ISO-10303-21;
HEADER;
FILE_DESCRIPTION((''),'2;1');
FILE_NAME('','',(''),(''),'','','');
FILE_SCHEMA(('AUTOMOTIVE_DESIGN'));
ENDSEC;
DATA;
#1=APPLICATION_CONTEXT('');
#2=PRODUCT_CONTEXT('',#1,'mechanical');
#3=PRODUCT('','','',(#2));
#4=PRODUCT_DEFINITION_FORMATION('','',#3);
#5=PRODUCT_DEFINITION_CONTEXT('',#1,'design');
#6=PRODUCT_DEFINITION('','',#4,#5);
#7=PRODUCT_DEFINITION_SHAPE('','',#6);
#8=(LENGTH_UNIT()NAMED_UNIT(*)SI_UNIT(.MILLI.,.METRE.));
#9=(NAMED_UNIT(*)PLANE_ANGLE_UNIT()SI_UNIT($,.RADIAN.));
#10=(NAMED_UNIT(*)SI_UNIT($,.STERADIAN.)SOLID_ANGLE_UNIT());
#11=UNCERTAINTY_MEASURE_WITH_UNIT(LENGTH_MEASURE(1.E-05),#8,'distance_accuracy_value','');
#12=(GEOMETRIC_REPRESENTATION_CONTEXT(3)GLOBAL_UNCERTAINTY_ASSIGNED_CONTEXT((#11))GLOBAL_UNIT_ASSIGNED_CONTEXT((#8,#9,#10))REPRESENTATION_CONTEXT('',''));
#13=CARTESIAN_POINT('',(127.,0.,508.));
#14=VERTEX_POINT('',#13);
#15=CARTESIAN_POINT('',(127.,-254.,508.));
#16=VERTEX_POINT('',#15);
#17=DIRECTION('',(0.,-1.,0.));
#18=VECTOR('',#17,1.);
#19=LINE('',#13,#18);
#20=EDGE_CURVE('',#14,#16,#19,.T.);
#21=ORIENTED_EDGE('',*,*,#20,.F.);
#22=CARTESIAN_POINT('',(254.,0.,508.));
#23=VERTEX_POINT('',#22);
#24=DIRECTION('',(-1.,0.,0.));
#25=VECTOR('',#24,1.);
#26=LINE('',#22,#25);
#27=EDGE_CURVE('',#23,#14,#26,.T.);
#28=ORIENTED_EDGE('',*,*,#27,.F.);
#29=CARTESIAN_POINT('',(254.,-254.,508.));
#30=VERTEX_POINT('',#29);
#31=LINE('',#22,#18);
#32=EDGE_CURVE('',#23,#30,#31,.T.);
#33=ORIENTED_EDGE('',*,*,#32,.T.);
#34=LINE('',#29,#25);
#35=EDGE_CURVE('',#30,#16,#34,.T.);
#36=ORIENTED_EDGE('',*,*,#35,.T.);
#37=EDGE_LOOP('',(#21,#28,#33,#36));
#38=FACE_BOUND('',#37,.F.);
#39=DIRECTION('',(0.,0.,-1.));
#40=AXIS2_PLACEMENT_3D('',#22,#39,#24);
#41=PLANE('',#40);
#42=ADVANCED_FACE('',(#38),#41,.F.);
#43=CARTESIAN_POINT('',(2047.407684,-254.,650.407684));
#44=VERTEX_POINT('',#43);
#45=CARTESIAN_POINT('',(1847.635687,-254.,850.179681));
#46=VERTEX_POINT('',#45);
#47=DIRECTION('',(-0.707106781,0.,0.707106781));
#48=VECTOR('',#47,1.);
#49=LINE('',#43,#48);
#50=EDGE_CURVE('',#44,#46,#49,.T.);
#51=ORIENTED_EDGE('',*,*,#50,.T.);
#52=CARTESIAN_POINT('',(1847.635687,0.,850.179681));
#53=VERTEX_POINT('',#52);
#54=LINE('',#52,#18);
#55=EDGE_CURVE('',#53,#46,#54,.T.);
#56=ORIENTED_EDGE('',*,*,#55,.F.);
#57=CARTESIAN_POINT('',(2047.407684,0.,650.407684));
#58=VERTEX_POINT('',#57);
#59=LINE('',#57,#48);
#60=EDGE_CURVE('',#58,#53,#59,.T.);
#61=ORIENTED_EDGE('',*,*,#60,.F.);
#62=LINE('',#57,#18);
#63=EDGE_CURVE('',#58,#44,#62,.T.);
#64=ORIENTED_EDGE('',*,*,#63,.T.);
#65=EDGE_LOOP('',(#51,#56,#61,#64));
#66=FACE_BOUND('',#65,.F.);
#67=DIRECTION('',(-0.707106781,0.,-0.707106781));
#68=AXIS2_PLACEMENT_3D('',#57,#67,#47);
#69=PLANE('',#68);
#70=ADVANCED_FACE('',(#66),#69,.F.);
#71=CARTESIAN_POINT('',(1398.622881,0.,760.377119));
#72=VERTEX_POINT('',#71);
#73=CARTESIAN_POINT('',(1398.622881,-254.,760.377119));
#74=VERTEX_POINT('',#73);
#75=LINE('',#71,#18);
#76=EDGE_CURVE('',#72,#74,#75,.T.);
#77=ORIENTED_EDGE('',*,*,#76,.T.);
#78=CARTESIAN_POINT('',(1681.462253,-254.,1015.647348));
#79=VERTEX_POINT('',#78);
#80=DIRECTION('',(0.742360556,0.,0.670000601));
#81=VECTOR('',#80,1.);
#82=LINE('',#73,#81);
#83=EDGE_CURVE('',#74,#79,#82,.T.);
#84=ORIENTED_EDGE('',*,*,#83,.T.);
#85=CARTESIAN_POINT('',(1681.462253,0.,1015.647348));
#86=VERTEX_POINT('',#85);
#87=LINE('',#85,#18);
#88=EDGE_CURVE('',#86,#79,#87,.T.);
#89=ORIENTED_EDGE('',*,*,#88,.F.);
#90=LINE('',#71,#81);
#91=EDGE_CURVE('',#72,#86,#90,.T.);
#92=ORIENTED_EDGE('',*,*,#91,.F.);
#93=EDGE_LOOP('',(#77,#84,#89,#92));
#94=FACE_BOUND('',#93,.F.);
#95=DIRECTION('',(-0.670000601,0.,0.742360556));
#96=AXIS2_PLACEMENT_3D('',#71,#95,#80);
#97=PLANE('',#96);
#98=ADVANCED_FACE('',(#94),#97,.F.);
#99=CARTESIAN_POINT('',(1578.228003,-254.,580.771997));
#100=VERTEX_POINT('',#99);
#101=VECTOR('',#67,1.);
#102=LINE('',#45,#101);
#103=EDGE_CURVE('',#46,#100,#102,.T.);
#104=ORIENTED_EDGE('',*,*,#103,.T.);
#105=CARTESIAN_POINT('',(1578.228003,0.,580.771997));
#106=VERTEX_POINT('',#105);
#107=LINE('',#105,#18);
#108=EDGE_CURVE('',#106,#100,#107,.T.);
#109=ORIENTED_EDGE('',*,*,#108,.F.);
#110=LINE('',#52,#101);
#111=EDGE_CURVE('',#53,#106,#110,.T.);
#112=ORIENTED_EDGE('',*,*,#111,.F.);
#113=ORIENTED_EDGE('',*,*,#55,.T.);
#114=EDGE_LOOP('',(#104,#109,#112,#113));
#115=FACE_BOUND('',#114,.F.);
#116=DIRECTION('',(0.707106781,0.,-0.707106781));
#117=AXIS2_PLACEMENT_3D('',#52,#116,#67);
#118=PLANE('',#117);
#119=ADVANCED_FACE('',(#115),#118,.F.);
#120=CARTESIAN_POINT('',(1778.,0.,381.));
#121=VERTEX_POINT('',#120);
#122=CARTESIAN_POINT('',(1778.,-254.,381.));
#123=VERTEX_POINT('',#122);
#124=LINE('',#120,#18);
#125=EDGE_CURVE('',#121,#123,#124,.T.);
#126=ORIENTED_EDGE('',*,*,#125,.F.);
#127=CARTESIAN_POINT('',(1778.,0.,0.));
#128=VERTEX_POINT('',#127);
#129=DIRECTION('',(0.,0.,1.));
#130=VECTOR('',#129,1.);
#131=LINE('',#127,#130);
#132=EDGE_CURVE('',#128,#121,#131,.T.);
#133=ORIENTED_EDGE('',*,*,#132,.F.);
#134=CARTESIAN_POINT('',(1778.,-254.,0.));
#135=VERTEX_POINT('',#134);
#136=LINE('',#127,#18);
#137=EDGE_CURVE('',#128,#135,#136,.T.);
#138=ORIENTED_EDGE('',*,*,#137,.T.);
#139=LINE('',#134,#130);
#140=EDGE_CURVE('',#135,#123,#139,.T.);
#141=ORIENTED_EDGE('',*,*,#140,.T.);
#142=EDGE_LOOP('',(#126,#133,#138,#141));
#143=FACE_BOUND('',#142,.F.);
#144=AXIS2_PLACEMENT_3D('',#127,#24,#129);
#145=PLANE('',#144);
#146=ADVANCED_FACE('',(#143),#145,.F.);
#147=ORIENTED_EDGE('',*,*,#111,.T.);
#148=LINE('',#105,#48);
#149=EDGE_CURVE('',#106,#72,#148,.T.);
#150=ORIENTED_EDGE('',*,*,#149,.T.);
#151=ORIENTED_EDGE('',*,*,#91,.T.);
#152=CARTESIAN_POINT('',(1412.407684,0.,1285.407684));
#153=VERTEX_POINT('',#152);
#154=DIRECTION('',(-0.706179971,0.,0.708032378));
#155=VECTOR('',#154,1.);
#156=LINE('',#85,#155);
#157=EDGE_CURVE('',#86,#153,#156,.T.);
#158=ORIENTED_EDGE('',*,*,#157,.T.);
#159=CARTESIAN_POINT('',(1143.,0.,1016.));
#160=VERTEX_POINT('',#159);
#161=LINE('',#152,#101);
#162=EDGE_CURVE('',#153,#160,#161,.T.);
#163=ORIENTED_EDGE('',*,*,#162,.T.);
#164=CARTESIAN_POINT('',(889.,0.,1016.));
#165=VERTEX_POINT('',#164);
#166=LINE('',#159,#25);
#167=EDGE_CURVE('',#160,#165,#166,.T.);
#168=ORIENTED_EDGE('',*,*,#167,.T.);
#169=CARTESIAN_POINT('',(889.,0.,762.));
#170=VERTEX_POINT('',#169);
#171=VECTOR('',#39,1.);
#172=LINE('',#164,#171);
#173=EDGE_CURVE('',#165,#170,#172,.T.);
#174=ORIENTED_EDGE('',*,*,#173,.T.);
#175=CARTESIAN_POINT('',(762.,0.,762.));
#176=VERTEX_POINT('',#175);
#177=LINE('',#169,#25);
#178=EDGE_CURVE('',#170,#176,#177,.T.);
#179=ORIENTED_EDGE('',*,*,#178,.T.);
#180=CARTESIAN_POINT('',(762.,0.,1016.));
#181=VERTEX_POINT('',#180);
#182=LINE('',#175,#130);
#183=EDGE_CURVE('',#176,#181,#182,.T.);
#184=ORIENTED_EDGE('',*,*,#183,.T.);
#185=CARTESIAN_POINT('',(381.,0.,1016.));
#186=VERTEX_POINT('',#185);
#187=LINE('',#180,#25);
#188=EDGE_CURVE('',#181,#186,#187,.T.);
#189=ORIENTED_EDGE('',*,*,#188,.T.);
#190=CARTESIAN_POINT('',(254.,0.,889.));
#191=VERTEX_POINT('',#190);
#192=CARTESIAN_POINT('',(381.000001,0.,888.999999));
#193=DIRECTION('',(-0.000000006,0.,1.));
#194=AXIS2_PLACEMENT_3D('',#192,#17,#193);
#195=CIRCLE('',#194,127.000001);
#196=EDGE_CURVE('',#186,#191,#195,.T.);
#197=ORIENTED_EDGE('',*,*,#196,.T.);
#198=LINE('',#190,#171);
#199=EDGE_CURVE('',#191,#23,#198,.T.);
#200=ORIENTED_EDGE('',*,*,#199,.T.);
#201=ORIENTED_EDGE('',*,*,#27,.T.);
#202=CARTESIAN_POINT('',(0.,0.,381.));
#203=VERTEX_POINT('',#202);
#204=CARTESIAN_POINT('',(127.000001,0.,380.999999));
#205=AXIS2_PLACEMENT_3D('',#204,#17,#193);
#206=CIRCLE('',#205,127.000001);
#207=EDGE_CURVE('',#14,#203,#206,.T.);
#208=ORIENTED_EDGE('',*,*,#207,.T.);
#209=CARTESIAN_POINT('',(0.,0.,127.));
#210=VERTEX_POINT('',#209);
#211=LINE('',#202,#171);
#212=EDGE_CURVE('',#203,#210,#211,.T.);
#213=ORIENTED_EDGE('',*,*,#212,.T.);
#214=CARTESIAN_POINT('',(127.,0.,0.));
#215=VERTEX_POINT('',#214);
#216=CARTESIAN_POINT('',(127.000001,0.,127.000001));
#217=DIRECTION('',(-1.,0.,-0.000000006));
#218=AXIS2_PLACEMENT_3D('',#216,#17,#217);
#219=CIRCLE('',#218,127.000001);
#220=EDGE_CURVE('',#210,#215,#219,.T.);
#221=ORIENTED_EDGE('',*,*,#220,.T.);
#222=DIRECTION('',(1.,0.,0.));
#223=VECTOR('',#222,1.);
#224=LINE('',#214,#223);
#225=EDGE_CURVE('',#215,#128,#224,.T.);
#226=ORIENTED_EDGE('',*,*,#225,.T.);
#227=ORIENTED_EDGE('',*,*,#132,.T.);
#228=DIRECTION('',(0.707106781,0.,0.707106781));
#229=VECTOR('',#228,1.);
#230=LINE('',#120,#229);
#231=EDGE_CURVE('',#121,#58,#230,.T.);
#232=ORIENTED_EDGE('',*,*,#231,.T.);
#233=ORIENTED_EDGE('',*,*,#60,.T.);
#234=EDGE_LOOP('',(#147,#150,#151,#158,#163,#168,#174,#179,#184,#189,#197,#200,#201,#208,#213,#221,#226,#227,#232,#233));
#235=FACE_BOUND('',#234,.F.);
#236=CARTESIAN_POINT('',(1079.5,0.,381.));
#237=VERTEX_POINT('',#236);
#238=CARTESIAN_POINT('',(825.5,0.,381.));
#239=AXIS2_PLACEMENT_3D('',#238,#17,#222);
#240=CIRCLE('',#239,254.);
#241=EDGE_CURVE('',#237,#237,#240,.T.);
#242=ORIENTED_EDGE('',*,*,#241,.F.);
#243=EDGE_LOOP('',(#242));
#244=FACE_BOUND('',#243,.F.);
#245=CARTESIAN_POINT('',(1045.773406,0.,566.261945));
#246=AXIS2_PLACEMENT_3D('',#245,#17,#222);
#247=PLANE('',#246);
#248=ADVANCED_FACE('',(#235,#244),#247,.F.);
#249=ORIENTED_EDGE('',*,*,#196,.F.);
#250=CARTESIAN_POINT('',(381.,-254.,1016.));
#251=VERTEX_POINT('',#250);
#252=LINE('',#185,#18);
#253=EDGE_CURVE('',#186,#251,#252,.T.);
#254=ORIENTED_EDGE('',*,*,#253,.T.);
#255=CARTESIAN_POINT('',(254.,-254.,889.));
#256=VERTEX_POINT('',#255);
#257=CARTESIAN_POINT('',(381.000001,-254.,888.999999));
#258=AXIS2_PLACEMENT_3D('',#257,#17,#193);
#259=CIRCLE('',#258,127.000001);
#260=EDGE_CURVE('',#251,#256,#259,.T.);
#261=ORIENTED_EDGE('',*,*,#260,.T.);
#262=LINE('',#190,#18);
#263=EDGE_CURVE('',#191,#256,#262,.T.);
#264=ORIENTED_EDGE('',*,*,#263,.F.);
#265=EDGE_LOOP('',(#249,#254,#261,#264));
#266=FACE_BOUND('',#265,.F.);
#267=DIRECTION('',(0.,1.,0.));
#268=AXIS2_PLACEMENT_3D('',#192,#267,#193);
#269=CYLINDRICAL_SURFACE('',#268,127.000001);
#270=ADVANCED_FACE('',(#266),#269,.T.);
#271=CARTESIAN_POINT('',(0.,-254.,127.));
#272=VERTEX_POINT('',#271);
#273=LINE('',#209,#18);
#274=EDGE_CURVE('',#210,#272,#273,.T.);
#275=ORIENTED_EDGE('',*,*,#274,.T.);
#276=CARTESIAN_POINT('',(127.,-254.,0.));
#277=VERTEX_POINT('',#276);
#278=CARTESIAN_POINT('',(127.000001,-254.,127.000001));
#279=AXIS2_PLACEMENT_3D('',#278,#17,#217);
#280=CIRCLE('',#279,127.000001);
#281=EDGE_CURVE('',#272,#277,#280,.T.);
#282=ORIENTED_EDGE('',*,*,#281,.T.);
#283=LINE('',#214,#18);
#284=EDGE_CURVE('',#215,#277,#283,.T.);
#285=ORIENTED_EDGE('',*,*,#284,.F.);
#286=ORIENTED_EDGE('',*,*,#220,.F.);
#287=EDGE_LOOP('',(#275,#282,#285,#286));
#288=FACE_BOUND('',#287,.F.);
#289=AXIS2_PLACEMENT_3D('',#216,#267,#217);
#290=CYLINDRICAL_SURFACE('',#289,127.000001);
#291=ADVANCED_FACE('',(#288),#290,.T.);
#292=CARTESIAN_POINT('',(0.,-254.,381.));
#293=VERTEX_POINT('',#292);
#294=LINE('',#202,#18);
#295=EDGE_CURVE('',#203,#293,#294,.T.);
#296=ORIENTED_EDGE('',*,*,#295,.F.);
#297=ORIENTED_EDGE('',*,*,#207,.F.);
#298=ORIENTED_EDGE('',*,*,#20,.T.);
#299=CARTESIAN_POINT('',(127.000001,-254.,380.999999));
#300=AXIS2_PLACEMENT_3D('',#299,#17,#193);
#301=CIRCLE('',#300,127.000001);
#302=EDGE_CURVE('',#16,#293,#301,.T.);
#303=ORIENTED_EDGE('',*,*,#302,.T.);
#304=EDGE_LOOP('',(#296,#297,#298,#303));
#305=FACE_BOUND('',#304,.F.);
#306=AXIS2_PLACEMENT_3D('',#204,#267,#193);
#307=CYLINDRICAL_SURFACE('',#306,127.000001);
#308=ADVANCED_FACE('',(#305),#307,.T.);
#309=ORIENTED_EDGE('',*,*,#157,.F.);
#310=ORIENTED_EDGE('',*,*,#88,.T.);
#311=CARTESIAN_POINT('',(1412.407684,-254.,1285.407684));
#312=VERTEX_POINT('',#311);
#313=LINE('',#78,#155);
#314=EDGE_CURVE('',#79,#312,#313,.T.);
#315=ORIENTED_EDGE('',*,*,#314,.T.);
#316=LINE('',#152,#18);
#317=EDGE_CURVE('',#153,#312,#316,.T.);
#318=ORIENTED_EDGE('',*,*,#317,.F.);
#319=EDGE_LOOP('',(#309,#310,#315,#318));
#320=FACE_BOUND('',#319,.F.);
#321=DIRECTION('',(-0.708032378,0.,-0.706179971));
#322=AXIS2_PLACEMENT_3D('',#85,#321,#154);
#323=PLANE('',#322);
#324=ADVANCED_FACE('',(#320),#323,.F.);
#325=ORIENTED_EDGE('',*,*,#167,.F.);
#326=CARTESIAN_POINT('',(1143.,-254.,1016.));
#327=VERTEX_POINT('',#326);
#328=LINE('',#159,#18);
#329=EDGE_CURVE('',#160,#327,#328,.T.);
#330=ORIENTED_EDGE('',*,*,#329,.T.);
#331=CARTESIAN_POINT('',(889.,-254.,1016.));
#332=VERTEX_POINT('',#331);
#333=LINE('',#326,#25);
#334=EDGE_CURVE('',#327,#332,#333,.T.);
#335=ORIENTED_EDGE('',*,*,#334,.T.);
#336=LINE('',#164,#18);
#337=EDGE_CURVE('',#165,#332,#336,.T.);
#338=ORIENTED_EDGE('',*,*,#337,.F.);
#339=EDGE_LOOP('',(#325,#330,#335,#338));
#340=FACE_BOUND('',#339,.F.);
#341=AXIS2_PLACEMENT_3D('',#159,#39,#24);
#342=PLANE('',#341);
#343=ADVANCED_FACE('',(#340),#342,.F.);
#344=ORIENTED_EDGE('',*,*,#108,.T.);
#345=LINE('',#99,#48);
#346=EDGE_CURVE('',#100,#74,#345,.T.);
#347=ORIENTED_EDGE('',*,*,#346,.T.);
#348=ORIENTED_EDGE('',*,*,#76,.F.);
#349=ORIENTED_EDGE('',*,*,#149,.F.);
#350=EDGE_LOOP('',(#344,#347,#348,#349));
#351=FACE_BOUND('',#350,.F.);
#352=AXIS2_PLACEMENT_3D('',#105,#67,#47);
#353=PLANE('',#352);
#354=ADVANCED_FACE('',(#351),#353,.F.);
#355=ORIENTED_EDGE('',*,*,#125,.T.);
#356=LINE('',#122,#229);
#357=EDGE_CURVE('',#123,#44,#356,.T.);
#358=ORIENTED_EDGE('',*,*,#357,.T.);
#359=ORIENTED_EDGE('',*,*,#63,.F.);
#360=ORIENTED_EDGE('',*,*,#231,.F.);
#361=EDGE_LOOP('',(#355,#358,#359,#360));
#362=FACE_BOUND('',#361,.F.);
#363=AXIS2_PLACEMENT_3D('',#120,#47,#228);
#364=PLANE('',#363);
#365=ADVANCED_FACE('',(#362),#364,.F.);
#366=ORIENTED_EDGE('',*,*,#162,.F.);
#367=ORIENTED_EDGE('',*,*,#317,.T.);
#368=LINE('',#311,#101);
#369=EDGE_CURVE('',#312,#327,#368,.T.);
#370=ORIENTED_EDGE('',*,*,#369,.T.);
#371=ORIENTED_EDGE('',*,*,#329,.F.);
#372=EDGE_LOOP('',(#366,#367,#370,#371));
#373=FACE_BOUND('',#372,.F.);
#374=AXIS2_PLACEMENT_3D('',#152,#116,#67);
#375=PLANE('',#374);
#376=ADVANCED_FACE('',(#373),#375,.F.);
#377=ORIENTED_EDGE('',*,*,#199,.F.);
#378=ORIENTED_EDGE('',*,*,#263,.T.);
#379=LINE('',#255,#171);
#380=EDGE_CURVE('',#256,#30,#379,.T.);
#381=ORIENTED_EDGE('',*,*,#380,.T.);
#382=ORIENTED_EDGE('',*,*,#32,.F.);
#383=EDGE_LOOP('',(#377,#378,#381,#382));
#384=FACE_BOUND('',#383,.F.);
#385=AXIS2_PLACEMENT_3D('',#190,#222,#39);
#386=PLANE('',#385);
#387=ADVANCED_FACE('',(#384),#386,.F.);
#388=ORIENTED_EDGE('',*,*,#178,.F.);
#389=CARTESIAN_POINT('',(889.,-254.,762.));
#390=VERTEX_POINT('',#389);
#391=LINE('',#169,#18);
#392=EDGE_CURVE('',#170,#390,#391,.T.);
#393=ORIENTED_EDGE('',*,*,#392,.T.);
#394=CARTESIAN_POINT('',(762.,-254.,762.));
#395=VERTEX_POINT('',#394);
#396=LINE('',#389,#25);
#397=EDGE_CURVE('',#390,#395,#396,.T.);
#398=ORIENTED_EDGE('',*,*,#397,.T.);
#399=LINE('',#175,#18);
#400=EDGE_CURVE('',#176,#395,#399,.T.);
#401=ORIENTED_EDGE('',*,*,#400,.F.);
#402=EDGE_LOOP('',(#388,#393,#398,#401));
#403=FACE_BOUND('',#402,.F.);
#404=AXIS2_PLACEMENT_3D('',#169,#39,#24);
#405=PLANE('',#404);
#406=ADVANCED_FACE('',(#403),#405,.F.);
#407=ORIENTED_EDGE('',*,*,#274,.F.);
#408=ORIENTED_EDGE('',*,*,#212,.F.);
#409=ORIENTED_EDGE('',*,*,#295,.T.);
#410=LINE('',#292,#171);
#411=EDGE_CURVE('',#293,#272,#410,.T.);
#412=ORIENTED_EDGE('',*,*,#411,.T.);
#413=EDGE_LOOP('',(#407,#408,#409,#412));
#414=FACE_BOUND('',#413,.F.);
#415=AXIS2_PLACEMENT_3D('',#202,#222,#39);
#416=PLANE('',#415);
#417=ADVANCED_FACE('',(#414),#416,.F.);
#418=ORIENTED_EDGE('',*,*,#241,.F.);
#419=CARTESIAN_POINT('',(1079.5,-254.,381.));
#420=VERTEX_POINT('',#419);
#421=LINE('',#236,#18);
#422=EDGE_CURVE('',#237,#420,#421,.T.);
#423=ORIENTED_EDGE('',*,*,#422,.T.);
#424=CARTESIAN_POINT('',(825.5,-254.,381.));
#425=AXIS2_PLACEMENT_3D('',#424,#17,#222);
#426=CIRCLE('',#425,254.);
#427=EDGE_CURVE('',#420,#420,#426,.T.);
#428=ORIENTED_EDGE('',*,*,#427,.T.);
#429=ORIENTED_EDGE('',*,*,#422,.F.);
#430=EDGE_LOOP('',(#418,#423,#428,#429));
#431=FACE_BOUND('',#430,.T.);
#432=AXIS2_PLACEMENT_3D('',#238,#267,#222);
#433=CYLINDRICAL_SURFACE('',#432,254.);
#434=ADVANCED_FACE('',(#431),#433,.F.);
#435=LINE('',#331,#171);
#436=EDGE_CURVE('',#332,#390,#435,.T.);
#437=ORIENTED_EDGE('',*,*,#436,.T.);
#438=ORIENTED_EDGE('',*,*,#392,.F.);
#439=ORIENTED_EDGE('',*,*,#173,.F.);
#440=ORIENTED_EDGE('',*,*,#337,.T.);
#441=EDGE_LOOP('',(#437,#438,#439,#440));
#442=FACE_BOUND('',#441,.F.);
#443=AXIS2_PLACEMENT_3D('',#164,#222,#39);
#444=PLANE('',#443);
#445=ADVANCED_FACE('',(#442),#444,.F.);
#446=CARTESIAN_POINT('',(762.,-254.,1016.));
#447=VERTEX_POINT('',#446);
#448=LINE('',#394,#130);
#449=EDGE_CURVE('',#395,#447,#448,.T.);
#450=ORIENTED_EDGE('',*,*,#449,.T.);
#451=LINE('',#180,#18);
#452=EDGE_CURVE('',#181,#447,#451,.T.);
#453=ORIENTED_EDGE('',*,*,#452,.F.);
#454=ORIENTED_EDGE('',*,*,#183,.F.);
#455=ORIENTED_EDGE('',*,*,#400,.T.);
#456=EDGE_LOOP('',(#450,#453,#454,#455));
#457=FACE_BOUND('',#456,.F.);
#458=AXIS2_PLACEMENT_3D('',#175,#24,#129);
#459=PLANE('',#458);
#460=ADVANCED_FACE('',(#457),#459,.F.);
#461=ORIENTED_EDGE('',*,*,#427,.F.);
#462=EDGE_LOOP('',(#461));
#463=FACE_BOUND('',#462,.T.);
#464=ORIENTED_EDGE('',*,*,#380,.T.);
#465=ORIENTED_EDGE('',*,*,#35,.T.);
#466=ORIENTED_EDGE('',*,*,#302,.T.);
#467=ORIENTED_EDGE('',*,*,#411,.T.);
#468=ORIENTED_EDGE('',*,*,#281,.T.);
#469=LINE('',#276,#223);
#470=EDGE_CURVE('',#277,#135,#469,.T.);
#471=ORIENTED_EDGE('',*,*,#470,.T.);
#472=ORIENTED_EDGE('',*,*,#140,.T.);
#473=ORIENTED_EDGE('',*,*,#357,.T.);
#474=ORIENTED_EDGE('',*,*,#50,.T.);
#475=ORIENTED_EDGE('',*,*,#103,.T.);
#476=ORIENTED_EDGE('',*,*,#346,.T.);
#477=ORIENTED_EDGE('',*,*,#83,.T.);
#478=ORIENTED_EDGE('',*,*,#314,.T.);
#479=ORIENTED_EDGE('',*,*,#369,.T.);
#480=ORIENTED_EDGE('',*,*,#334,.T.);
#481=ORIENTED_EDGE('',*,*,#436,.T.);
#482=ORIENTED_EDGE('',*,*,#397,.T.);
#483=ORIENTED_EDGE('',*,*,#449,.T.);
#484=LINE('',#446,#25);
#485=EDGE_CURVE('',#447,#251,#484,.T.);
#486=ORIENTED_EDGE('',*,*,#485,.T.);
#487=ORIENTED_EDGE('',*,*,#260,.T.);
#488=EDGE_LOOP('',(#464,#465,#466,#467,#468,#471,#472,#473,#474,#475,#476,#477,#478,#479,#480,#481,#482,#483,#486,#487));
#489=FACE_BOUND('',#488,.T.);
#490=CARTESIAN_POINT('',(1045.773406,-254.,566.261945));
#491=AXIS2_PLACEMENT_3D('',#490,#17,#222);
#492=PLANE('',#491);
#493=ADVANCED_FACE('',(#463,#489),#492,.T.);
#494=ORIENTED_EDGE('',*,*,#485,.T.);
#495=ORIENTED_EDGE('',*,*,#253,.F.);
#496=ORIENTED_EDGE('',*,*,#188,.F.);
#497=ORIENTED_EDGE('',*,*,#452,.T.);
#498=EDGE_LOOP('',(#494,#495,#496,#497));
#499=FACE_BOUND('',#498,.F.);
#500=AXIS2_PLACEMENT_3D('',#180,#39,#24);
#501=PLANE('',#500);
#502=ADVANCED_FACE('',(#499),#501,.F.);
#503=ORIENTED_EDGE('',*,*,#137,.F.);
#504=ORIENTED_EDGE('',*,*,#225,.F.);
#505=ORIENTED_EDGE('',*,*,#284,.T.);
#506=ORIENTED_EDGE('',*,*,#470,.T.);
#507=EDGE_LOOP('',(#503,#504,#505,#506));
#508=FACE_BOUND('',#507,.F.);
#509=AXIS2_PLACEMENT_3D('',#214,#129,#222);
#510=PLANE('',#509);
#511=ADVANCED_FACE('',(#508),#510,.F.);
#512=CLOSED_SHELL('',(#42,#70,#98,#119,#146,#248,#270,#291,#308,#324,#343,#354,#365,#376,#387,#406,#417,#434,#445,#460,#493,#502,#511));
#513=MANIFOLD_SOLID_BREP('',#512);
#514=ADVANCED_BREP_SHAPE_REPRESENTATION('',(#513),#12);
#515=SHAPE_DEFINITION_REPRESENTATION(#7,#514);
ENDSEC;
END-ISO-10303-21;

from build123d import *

# Parameters (mm, degrees)
F0_R     = 254
F1_DEPTH = 254


with BuildPart() as f1:
    # F0 (on Front) → F1 (new body)
    with BuildSketch(Plane.XZ):
        with BuildLine():
            ThreePointArc((0, 127), (37.197439, 37.197439), (127, 0))
            Line((127, 0), (1778, 0))
            Line((1778, 0), (1778, 381))
            Line((1778, 381), (2047.407684, 650.407684))
            Line((2047.407684, 650.407684), (1847.635687, 850.179681))
            Line((1847.635687, 850.179681), (1578.228003, 580.771997))
            Line((1578.228003, 580.771997), (1398.622881, 760.377119))
            Line((1398.622881, 760.377119), (1681.462253, 1015.647348))
            Line((1681.462253, 1015.647348), (1412.407684, 1285.407684))
            Line((1412.407684, 1285.407684), (1143, 1016))
            Line((1143, 1016), (889, 1016))
            Line((889, 1016), (889, 762))
            Line((889, 762), (762, 762))
            Line((762, 762), (762, 1016))
            Line((762, 1016), (381, 1016))
            ThreePointArc((381, 1016), (291.197439, 978.802561), (254, 889))
            Line((254, 889), (254, 508))
            Line((254, 508), (127, 508))
            ThreePointArc((127, 508), (37.197439, 470.802561), (0, 381))
            Line((0, 381), (0, 127))
        make_face()
        with Locations((825.5, 381)):
            Circle(F0_R, mode=Mode.SUBTRACT)
    extrude(amount=F1_DEPTH)


solid = f1.part
